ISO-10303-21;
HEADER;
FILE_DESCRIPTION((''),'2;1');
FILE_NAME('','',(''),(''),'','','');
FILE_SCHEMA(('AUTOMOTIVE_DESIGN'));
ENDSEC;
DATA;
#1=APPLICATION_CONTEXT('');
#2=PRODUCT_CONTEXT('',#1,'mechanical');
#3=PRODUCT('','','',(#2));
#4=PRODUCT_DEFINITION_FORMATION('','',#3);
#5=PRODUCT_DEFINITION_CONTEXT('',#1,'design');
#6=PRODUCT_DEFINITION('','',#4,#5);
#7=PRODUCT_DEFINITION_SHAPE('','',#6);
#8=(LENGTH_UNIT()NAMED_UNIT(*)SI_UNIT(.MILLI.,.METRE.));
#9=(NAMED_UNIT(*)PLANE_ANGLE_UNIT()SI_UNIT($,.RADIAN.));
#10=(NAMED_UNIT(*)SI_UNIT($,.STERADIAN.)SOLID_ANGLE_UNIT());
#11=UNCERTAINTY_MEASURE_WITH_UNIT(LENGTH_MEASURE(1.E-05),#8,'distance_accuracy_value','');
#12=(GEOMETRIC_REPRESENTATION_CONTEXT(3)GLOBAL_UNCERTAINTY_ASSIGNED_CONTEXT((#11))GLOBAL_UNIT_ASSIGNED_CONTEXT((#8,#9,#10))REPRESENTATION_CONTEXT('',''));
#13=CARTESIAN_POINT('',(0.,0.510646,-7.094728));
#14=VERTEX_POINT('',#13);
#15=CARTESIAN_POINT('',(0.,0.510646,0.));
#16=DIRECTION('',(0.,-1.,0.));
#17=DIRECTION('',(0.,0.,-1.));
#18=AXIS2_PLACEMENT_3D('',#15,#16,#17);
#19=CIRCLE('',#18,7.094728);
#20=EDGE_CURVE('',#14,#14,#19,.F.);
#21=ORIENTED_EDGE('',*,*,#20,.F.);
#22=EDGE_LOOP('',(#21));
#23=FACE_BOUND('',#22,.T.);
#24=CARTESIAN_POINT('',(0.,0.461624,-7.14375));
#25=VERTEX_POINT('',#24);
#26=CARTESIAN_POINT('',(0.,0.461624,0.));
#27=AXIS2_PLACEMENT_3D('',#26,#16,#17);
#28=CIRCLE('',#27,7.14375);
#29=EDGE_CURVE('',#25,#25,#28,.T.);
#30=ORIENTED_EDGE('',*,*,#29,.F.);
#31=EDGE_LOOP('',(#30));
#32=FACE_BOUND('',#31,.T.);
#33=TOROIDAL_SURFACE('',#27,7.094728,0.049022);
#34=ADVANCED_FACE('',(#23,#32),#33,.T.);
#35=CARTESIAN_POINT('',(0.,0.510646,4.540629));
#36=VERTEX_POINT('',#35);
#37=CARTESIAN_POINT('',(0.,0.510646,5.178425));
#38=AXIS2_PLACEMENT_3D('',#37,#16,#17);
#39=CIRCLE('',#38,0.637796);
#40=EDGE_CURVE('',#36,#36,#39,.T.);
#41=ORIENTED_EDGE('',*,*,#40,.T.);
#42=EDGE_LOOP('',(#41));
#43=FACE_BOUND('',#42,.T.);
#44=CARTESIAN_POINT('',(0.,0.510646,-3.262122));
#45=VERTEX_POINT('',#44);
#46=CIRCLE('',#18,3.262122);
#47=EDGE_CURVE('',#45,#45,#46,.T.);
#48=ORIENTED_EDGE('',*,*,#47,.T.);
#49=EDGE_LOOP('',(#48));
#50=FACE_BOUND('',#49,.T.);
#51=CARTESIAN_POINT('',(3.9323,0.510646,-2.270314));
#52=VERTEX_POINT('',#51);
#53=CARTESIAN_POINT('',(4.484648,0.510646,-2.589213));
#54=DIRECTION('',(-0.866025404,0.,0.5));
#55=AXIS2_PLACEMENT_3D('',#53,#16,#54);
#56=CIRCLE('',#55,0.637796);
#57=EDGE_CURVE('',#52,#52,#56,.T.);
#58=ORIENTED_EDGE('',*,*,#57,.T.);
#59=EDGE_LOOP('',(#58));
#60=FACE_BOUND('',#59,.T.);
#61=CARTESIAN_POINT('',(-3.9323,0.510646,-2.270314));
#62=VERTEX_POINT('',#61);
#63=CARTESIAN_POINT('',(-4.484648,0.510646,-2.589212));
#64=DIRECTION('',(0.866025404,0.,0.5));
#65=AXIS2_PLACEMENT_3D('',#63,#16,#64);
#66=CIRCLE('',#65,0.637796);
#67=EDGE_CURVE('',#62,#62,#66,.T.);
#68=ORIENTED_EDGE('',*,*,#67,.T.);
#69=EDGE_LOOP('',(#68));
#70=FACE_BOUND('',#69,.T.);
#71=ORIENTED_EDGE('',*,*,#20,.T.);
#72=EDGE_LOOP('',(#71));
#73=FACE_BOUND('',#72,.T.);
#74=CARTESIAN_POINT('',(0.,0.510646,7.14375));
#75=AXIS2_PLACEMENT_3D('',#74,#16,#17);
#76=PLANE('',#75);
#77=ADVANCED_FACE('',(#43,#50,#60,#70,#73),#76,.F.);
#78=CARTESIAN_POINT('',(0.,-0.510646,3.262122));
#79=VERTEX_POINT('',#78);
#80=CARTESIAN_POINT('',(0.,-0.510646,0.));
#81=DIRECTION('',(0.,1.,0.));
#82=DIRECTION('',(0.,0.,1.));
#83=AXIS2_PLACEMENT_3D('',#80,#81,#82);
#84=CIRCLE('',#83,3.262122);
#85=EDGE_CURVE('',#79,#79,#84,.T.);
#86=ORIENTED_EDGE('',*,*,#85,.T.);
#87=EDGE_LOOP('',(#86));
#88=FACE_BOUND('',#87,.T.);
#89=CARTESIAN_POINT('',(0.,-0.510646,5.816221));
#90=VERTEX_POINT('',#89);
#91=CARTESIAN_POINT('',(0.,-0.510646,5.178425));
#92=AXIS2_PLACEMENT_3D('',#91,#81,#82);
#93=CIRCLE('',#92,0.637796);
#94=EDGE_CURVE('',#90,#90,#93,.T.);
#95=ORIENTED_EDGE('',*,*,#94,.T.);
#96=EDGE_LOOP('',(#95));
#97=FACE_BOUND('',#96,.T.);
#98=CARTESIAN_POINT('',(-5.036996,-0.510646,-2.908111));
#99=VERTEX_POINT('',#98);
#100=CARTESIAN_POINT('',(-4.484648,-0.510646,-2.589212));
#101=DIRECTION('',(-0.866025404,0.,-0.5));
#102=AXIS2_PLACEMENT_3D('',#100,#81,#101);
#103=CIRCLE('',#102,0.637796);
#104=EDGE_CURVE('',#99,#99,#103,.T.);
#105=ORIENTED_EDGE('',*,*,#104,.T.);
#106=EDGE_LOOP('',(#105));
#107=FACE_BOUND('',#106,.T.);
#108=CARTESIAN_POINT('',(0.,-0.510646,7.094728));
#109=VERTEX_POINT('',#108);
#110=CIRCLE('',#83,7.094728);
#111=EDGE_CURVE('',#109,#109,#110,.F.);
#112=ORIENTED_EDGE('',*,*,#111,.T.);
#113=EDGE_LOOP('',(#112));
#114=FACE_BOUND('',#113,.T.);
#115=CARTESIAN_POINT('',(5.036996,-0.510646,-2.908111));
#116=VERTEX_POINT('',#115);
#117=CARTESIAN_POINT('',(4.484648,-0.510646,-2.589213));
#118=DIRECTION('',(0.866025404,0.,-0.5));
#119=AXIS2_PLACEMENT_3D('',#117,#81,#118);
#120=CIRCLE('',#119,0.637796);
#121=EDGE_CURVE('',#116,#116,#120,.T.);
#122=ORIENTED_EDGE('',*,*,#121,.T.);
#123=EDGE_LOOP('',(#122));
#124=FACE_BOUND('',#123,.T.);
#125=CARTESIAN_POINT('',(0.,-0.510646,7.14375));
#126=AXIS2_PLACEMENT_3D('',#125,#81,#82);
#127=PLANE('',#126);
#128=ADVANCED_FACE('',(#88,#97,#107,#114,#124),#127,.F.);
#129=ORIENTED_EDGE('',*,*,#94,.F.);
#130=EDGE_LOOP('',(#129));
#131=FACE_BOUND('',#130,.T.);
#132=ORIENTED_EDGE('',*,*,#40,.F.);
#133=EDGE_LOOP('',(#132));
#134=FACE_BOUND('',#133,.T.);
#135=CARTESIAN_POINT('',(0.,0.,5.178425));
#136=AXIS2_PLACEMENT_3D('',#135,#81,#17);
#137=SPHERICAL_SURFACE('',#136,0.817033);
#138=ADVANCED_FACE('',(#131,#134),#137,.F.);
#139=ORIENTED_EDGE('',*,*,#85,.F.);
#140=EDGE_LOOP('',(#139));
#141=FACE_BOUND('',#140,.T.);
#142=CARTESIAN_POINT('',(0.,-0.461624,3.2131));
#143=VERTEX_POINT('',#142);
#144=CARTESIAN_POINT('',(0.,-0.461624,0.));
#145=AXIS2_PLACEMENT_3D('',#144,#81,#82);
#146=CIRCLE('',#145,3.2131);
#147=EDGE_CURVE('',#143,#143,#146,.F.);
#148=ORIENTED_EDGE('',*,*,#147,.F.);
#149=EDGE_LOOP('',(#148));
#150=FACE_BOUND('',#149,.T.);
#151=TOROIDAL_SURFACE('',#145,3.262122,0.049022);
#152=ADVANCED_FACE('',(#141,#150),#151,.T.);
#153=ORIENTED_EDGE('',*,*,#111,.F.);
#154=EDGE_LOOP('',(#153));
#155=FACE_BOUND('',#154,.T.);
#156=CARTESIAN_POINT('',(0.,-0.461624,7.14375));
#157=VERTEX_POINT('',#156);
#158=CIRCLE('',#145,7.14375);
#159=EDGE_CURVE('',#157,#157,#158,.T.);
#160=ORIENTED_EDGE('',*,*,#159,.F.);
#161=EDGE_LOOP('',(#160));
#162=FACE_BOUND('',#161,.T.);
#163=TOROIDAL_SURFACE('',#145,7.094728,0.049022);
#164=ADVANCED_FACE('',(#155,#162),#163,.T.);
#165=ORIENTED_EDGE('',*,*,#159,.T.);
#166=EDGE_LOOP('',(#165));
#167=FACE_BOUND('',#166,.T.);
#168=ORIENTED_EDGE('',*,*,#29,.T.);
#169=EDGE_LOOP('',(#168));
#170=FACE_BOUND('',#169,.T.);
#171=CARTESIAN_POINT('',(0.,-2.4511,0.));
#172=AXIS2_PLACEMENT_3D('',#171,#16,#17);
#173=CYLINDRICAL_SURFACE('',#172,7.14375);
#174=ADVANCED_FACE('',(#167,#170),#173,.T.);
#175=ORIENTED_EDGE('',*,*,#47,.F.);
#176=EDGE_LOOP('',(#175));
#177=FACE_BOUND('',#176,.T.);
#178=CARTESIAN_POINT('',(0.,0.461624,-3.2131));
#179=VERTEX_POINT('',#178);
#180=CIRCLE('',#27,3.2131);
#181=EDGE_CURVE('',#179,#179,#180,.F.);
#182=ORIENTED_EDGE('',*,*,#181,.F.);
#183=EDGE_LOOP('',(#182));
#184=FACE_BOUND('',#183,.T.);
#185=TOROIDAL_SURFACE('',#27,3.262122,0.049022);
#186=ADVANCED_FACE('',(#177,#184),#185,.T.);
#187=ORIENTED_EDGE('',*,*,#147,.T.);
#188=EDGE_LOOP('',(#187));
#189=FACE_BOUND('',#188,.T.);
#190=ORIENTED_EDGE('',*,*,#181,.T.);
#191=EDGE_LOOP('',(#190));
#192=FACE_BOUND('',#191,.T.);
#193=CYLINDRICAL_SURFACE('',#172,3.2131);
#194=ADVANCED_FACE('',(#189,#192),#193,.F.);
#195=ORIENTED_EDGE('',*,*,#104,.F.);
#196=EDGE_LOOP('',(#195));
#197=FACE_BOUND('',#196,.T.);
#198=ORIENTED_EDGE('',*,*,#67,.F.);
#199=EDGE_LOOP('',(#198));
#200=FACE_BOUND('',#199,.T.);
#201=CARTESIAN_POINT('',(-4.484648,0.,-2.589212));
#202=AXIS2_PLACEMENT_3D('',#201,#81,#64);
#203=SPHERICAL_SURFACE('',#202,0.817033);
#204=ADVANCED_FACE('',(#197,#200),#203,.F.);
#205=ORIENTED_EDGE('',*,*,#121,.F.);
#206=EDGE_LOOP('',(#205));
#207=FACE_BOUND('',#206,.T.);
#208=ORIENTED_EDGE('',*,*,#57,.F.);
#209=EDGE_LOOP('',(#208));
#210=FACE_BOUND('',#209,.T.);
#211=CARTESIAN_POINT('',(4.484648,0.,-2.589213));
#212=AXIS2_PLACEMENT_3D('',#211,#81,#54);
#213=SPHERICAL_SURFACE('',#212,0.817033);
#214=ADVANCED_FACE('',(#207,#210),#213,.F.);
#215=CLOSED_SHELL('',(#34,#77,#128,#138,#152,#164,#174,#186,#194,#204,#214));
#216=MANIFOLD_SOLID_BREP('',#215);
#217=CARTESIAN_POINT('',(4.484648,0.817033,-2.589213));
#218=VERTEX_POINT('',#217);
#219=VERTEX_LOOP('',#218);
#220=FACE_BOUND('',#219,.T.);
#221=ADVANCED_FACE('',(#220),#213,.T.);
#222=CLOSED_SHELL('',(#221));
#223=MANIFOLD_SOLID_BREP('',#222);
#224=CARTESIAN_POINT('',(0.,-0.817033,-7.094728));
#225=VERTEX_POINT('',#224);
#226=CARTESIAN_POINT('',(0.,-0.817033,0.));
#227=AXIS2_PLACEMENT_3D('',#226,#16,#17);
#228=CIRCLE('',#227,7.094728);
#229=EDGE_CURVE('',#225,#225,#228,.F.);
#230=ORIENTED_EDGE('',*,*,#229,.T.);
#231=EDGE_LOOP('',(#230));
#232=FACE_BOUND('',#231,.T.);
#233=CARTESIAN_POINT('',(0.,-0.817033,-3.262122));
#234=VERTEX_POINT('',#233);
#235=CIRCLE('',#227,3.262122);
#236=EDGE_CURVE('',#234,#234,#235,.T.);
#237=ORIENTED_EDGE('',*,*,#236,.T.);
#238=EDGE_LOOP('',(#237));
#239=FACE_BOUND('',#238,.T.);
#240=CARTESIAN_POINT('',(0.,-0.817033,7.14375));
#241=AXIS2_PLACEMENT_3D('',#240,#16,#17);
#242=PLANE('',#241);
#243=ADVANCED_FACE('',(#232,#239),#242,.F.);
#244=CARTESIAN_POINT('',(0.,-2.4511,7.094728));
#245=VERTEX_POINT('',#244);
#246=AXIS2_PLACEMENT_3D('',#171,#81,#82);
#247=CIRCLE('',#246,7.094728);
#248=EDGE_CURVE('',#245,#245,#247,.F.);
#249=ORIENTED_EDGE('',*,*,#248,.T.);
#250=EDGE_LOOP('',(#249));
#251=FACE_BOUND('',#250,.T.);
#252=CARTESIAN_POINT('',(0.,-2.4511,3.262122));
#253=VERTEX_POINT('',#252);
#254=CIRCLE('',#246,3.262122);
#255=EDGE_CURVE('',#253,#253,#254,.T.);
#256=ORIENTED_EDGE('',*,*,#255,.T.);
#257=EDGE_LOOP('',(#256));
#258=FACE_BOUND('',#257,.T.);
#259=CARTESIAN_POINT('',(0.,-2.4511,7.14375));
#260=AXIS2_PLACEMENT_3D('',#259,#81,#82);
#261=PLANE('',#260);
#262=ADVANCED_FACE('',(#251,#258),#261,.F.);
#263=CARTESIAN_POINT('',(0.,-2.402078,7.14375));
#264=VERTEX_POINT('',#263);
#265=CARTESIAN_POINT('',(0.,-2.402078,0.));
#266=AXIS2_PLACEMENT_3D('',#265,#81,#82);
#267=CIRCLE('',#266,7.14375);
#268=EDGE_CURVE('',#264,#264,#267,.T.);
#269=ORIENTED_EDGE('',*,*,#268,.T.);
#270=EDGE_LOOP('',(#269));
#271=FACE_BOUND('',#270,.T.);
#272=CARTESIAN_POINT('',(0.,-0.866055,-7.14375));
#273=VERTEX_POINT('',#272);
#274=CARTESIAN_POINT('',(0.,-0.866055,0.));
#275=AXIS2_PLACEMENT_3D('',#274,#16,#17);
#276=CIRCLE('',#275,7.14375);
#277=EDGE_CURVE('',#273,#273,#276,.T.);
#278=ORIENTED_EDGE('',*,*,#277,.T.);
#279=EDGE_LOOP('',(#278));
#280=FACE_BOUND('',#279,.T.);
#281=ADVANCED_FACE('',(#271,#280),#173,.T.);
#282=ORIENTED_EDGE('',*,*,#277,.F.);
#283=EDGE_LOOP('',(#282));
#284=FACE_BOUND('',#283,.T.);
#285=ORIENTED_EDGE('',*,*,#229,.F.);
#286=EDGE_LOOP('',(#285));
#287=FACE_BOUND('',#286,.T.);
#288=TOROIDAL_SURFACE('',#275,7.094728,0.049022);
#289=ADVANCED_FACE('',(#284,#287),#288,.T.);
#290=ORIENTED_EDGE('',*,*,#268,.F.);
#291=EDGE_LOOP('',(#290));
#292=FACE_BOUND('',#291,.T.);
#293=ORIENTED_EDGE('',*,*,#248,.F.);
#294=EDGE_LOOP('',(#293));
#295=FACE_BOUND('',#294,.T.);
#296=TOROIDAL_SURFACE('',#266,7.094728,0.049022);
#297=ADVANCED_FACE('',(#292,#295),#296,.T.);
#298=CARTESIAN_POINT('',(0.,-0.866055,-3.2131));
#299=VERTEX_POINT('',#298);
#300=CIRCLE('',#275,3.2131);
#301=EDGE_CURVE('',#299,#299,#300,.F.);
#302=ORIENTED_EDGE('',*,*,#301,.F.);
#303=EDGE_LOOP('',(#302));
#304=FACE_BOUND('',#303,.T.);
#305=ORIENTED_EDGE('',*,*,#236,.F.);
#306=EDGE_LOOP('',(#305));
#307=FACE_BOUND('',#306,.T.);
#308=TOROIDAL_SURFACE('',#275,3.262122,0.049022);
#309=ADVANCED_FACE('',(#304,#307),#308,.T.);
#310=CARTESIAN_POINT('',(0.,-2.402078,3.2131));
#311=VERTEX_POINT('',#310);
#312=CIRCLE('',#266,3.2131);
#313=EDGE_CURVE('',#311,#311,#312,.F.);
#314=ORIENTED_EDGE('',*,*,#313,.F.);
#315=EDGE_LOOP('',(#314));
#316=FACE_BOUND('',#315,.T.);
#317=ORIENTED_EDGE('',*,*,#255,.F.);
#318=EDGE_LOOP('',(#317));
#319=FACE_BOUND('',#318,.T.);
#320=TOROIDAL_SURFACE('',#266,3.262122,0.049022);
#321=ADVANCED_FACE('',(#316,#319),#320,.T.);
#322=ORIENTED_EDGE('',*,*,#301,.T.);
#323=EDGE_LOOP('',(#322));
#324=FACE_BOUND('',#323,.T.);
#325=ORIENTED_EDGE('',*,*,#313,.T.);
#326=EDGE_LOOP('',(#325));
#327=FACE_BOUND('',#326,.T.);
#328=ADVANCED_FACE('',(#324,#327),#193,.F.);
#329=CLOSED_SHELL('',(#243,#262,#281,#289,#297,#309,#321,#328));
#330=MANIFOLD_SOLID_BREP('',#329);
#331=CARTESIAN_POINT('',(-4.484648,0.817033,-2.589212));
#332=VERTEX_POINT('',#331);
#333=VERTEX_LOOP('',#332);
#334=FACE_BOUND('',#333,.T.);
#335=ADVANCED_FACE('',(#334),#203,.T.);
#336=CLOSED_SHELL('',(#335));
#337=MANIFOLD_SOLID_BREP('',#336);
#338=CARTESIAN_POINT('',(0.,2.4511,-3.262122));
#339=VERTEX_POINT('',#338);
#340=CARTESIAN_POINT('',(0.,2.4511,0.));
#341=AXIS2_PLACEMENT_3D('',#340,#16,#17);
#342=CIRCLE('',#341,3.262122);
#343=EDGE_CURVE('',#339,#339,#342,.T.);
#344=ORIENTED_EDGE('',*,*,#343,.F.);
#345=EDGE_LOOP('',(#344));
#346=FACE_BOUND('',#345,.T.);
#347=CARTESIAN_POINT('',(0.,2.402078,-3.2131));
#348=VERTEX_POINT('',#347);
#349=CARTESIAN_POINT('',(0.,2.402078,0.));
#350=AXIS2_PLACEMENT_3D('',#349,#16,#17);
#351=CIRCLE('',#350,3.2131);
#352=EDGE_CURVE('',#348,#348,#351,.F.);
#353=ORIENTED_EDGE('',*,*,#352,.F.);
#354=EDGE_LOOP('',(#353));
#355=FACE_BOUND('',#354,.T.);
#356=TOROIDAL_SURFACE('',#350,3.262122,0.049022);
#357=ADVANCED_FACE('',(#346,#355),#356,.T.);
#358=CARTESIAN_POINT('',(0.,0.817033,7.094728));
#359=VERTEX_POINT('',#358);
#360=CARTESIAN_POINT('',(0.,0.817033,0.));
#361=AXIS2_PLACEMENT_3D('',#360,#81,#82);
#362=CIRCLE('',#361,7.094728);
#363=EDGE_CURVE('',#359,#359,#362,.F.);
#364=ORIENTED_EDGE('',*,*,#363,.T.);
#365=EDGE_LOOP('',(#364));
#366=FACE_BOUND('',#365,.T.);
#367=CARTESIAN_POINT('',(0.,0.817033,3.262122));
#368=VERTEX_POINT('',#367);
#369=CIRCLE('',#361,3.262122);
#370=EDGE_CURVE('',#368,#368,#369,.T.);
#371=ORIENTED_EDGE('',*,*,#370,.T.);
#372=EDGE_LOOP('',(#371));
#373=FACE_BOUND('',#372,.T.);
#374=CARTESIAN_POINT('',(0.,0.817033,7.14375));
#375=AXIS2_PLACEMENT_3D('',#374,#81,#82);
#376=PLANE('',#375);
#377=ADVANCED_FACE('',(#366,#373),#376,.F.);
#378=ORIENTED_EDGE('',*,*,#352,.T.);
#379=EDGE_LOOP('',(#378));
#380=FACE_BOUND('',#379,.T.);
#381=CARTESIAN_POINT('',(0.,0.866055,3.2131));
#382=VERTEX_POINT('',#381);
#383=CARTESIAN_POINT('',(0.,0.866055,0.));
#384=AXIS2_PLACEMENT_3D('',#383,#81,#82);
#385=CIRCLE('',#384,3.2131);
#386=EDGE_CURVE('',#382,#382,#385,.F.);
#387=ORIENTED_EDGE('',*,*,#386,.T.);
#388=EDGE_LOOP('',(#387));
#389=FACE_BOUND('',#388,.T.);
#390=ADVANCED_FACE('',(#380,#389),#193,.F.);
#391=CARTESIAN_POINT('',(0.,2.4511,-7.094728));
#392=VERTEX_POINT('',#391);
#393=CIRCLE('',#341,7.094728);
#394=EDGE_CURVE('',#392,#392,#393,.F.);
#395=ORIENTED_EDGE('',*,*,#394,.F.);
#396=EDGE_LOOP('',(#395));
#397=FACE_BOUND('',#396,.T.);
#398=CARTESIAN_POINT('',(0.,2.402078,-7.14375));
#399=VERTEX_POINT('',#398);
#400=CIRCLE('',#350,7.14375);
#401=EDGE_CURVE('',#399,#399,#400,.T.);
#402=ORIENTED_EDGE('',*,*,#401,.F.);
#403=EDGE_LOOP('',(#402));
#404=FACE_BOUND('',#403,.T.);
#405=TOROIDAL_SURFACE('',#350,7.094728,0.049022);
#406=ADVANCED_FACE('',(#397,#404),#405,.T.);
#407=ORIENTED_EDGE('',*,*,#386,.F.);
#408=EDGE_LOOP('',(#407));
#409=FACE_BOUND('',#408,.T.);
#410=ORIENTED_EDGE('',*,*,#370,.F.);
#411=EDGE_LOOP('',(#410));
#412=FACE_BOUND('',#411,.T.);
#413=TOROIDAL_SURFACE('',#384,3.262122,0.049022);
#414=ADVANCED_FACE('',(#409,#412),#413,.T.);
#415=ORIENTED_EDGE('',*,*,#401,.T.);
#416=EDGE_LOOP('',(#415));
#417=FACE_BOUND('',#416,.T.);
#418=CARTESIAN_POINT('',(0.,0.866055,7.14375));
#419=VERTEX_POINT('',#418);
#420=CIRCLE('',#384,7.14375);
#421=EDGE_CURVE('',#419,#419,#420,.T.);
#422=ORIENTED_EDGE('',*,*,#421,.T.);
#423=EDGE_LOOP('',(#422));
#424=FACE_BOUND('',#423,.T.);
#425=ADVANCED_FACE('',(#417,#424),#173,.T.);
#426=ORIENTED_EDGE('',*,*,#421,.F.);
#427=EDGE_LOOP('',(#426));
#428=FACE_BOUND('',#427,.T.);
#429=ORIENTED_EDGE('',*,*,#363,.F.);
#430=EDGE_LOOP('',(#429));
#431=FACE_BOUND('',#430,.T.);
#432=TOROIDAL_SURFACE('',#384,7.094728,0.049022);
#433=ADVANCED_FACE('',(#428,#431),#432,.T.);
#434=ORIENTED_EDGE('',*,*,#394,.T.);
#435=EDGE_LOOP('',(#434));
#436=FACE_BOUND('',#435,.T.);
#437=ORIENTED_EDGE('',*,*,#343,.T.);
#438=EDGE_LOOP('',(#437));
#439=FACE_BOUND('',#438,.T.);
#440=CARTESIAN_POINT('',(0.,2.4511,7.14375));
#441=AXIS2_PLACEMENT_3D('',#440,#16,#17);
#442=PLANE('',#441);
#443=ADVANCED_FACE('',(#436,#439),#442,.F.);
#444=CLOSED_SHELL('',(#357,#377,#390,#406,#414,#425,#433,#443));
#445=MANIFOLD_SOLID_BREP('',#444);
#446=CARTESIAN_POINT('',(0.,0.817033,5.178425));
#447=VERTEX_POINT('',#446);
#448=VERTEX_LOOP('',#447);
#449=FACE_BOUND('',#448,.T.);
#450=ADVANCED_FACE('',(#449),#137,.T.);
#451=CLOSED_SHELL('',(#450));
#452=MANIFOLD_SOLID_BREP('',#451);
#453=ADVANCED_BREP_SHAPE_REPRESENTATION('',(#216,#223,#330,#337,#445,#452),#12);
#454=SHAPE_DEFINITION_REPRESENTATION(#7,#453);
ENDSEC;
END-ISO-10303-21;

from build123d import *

# Parameters (mm, degrees)
SKETCH1_W         = 3.93065
SKETCH1_H         = 1.021291666
CIRPATTERN1_COUNT = 3
CIRPATTERN1_ANGLE = 240
CIRPATTERN2_COUNT = 3
SKETCH4_W         = 3.93065
SKETCH4_H         = 1.634066667
FILLET1_R         = 0.049022
FILLET2_R         = 0.049022
FILLET3_R         = 0.049022


with BuildPart() as part:
    # Sketch1 → Revolve1 (revolve)
    with BuildSketch(Plane(origin=(0, 0, 0), x_dir=(0, 0, -1), z_dir=(1, 0, 0))):
        with Locations((-5.178425, 0)):
            Rectangle(SKETCH1_W, SKETCH1_H)
    revolve(axis=Axis((0, -2.4511, 0), (0, 1, 0)))

    # Sketch3 → Cut-Revolve1 (revolve, cut)
    with BuildSketch(Plane(origin=(0, 0, 0), x_dir=(0, 0, -1), z_dir=(1, 0, 0))):
        with BuildLine():
            Line((-5.178425, 0.817033333), (-5.178425, -0.817033333))
            ThreePointArc((-5.178425, -0.817033333), (-5.995458333, 0), (-5.178425, 0.817033333))
        make_face()
    cut_revolve1 = revolve(axis=Axis((0, 0.817033333, 5.178425), (0, -1, 0)), mode=Mode.SUBTRACT)

    # CirPattern2: Cut-Revolve1 ×3 about axis
    cirpattern2_axis = Axis((0, 0, 0), (0, 1, 0))
    for i in range(1, CIRPATTERN2_COUNT):
        add(cut_revolve1.rotate(cirpattern2_axis, i * 360 / CIRPATTERN2_COUNT), mode=Mode.SUBTRACT)

    # Fillet2
    fillet2_edges = [part.edges().sort_by_distance(p)[0] for p in [
        (0, 0.510645833, -7.14375),
        (0, 0.510645833, -3.2131),
        (0, -0.510645833, -3.2131),
        (0, -0.510645833, -7.14375),
    ]]
    fillet(fillet2_edges, radius=FILLET2_R)


with BuildPart() as body_2:
    # Sketch2 → Revolve2 (revolve)
    with BuildSketch(Plane(origin=(0, 0, 0), x_dir=(0, 0, -1), z_dir=(1, 0, 0))):
        with BuildLine():
            Line((-5.178425, 0.817033333), (-5.178425, -0.817033333))
            ThreePointArc((-5.178425, -0.817033333), (-5.995458333, 0), (-5.178425, 0.817033333))
        make_face()
    revolve(axis=Axis((0, 0.817033333, 5.178425), (0, -1, 0)))


with BuildPart() as cirpattern1_1:
    # CirPattern1: pattern copy
    add(body_2.part.rotate(Axis((0, 2.4511, 0), (0, -1, 0)), 1 * CIRPATTERN1_ANGLE / (CIRPATTERN1_COUNT - 1)))


with BuildPart() as cirpattern1_2:
    # CirPattern1: pattern copy
    add(body_2.part.rotate(Axis((0, 2.4511, 0), (0, -1, 0)), 2 * CIRPATTERN1_ANGLE / (CIRPATTERN1_COUNT - 1)))


with BuildPart() as body_5:
    # Sketch4 → Revolve3 (revolve)
    with BuildSketch(Plane(origin=(0, 0, 0), x_dir=(0, 0, -1), z_dir=(1, 0, 0))):
        with Locations((-5.178425, 1.634066667)):
            Rectangle(SKETCH4_W, SKETCH4_H)
        with Locations((-5.178425, -1.634066667)):
            Rectangle(SKETCH4_W, SKETCH4_H)
    revolve(axis=Axis((0, -2.4511, 0), (0, 1, 0)))

    # Fillet1
    fillet1_edges = [body_5.edges().sort_by_distance(p)[0] for p in [
        (0, 0.817033333, -7.14375),
        (0, 0.817033333, -3.2131),
        (0, 2.4511, -3.2131),
        (0, 2.4511, -7.14375),
    ]]
    fillet(fillet1_edges, radius=FILLET1_R)

    # Fillet3
    fillet3_edges = [body_5.edges().sort_by_distance(p)[0] for p in [
        (0, -2.4511, -7.14375),
        (0, -2.4511, -3.2131),
        (0, -0.817033333, -3.2131),
        (0, -0.817033333, -7.14375),
    ]]
    fillet(fillet3_edges, radius=FILLET3_R)


solid = Compound([part.part, body_2.part, cirpattern1_1.part, cirpattern1_2.part, body_5.part])
